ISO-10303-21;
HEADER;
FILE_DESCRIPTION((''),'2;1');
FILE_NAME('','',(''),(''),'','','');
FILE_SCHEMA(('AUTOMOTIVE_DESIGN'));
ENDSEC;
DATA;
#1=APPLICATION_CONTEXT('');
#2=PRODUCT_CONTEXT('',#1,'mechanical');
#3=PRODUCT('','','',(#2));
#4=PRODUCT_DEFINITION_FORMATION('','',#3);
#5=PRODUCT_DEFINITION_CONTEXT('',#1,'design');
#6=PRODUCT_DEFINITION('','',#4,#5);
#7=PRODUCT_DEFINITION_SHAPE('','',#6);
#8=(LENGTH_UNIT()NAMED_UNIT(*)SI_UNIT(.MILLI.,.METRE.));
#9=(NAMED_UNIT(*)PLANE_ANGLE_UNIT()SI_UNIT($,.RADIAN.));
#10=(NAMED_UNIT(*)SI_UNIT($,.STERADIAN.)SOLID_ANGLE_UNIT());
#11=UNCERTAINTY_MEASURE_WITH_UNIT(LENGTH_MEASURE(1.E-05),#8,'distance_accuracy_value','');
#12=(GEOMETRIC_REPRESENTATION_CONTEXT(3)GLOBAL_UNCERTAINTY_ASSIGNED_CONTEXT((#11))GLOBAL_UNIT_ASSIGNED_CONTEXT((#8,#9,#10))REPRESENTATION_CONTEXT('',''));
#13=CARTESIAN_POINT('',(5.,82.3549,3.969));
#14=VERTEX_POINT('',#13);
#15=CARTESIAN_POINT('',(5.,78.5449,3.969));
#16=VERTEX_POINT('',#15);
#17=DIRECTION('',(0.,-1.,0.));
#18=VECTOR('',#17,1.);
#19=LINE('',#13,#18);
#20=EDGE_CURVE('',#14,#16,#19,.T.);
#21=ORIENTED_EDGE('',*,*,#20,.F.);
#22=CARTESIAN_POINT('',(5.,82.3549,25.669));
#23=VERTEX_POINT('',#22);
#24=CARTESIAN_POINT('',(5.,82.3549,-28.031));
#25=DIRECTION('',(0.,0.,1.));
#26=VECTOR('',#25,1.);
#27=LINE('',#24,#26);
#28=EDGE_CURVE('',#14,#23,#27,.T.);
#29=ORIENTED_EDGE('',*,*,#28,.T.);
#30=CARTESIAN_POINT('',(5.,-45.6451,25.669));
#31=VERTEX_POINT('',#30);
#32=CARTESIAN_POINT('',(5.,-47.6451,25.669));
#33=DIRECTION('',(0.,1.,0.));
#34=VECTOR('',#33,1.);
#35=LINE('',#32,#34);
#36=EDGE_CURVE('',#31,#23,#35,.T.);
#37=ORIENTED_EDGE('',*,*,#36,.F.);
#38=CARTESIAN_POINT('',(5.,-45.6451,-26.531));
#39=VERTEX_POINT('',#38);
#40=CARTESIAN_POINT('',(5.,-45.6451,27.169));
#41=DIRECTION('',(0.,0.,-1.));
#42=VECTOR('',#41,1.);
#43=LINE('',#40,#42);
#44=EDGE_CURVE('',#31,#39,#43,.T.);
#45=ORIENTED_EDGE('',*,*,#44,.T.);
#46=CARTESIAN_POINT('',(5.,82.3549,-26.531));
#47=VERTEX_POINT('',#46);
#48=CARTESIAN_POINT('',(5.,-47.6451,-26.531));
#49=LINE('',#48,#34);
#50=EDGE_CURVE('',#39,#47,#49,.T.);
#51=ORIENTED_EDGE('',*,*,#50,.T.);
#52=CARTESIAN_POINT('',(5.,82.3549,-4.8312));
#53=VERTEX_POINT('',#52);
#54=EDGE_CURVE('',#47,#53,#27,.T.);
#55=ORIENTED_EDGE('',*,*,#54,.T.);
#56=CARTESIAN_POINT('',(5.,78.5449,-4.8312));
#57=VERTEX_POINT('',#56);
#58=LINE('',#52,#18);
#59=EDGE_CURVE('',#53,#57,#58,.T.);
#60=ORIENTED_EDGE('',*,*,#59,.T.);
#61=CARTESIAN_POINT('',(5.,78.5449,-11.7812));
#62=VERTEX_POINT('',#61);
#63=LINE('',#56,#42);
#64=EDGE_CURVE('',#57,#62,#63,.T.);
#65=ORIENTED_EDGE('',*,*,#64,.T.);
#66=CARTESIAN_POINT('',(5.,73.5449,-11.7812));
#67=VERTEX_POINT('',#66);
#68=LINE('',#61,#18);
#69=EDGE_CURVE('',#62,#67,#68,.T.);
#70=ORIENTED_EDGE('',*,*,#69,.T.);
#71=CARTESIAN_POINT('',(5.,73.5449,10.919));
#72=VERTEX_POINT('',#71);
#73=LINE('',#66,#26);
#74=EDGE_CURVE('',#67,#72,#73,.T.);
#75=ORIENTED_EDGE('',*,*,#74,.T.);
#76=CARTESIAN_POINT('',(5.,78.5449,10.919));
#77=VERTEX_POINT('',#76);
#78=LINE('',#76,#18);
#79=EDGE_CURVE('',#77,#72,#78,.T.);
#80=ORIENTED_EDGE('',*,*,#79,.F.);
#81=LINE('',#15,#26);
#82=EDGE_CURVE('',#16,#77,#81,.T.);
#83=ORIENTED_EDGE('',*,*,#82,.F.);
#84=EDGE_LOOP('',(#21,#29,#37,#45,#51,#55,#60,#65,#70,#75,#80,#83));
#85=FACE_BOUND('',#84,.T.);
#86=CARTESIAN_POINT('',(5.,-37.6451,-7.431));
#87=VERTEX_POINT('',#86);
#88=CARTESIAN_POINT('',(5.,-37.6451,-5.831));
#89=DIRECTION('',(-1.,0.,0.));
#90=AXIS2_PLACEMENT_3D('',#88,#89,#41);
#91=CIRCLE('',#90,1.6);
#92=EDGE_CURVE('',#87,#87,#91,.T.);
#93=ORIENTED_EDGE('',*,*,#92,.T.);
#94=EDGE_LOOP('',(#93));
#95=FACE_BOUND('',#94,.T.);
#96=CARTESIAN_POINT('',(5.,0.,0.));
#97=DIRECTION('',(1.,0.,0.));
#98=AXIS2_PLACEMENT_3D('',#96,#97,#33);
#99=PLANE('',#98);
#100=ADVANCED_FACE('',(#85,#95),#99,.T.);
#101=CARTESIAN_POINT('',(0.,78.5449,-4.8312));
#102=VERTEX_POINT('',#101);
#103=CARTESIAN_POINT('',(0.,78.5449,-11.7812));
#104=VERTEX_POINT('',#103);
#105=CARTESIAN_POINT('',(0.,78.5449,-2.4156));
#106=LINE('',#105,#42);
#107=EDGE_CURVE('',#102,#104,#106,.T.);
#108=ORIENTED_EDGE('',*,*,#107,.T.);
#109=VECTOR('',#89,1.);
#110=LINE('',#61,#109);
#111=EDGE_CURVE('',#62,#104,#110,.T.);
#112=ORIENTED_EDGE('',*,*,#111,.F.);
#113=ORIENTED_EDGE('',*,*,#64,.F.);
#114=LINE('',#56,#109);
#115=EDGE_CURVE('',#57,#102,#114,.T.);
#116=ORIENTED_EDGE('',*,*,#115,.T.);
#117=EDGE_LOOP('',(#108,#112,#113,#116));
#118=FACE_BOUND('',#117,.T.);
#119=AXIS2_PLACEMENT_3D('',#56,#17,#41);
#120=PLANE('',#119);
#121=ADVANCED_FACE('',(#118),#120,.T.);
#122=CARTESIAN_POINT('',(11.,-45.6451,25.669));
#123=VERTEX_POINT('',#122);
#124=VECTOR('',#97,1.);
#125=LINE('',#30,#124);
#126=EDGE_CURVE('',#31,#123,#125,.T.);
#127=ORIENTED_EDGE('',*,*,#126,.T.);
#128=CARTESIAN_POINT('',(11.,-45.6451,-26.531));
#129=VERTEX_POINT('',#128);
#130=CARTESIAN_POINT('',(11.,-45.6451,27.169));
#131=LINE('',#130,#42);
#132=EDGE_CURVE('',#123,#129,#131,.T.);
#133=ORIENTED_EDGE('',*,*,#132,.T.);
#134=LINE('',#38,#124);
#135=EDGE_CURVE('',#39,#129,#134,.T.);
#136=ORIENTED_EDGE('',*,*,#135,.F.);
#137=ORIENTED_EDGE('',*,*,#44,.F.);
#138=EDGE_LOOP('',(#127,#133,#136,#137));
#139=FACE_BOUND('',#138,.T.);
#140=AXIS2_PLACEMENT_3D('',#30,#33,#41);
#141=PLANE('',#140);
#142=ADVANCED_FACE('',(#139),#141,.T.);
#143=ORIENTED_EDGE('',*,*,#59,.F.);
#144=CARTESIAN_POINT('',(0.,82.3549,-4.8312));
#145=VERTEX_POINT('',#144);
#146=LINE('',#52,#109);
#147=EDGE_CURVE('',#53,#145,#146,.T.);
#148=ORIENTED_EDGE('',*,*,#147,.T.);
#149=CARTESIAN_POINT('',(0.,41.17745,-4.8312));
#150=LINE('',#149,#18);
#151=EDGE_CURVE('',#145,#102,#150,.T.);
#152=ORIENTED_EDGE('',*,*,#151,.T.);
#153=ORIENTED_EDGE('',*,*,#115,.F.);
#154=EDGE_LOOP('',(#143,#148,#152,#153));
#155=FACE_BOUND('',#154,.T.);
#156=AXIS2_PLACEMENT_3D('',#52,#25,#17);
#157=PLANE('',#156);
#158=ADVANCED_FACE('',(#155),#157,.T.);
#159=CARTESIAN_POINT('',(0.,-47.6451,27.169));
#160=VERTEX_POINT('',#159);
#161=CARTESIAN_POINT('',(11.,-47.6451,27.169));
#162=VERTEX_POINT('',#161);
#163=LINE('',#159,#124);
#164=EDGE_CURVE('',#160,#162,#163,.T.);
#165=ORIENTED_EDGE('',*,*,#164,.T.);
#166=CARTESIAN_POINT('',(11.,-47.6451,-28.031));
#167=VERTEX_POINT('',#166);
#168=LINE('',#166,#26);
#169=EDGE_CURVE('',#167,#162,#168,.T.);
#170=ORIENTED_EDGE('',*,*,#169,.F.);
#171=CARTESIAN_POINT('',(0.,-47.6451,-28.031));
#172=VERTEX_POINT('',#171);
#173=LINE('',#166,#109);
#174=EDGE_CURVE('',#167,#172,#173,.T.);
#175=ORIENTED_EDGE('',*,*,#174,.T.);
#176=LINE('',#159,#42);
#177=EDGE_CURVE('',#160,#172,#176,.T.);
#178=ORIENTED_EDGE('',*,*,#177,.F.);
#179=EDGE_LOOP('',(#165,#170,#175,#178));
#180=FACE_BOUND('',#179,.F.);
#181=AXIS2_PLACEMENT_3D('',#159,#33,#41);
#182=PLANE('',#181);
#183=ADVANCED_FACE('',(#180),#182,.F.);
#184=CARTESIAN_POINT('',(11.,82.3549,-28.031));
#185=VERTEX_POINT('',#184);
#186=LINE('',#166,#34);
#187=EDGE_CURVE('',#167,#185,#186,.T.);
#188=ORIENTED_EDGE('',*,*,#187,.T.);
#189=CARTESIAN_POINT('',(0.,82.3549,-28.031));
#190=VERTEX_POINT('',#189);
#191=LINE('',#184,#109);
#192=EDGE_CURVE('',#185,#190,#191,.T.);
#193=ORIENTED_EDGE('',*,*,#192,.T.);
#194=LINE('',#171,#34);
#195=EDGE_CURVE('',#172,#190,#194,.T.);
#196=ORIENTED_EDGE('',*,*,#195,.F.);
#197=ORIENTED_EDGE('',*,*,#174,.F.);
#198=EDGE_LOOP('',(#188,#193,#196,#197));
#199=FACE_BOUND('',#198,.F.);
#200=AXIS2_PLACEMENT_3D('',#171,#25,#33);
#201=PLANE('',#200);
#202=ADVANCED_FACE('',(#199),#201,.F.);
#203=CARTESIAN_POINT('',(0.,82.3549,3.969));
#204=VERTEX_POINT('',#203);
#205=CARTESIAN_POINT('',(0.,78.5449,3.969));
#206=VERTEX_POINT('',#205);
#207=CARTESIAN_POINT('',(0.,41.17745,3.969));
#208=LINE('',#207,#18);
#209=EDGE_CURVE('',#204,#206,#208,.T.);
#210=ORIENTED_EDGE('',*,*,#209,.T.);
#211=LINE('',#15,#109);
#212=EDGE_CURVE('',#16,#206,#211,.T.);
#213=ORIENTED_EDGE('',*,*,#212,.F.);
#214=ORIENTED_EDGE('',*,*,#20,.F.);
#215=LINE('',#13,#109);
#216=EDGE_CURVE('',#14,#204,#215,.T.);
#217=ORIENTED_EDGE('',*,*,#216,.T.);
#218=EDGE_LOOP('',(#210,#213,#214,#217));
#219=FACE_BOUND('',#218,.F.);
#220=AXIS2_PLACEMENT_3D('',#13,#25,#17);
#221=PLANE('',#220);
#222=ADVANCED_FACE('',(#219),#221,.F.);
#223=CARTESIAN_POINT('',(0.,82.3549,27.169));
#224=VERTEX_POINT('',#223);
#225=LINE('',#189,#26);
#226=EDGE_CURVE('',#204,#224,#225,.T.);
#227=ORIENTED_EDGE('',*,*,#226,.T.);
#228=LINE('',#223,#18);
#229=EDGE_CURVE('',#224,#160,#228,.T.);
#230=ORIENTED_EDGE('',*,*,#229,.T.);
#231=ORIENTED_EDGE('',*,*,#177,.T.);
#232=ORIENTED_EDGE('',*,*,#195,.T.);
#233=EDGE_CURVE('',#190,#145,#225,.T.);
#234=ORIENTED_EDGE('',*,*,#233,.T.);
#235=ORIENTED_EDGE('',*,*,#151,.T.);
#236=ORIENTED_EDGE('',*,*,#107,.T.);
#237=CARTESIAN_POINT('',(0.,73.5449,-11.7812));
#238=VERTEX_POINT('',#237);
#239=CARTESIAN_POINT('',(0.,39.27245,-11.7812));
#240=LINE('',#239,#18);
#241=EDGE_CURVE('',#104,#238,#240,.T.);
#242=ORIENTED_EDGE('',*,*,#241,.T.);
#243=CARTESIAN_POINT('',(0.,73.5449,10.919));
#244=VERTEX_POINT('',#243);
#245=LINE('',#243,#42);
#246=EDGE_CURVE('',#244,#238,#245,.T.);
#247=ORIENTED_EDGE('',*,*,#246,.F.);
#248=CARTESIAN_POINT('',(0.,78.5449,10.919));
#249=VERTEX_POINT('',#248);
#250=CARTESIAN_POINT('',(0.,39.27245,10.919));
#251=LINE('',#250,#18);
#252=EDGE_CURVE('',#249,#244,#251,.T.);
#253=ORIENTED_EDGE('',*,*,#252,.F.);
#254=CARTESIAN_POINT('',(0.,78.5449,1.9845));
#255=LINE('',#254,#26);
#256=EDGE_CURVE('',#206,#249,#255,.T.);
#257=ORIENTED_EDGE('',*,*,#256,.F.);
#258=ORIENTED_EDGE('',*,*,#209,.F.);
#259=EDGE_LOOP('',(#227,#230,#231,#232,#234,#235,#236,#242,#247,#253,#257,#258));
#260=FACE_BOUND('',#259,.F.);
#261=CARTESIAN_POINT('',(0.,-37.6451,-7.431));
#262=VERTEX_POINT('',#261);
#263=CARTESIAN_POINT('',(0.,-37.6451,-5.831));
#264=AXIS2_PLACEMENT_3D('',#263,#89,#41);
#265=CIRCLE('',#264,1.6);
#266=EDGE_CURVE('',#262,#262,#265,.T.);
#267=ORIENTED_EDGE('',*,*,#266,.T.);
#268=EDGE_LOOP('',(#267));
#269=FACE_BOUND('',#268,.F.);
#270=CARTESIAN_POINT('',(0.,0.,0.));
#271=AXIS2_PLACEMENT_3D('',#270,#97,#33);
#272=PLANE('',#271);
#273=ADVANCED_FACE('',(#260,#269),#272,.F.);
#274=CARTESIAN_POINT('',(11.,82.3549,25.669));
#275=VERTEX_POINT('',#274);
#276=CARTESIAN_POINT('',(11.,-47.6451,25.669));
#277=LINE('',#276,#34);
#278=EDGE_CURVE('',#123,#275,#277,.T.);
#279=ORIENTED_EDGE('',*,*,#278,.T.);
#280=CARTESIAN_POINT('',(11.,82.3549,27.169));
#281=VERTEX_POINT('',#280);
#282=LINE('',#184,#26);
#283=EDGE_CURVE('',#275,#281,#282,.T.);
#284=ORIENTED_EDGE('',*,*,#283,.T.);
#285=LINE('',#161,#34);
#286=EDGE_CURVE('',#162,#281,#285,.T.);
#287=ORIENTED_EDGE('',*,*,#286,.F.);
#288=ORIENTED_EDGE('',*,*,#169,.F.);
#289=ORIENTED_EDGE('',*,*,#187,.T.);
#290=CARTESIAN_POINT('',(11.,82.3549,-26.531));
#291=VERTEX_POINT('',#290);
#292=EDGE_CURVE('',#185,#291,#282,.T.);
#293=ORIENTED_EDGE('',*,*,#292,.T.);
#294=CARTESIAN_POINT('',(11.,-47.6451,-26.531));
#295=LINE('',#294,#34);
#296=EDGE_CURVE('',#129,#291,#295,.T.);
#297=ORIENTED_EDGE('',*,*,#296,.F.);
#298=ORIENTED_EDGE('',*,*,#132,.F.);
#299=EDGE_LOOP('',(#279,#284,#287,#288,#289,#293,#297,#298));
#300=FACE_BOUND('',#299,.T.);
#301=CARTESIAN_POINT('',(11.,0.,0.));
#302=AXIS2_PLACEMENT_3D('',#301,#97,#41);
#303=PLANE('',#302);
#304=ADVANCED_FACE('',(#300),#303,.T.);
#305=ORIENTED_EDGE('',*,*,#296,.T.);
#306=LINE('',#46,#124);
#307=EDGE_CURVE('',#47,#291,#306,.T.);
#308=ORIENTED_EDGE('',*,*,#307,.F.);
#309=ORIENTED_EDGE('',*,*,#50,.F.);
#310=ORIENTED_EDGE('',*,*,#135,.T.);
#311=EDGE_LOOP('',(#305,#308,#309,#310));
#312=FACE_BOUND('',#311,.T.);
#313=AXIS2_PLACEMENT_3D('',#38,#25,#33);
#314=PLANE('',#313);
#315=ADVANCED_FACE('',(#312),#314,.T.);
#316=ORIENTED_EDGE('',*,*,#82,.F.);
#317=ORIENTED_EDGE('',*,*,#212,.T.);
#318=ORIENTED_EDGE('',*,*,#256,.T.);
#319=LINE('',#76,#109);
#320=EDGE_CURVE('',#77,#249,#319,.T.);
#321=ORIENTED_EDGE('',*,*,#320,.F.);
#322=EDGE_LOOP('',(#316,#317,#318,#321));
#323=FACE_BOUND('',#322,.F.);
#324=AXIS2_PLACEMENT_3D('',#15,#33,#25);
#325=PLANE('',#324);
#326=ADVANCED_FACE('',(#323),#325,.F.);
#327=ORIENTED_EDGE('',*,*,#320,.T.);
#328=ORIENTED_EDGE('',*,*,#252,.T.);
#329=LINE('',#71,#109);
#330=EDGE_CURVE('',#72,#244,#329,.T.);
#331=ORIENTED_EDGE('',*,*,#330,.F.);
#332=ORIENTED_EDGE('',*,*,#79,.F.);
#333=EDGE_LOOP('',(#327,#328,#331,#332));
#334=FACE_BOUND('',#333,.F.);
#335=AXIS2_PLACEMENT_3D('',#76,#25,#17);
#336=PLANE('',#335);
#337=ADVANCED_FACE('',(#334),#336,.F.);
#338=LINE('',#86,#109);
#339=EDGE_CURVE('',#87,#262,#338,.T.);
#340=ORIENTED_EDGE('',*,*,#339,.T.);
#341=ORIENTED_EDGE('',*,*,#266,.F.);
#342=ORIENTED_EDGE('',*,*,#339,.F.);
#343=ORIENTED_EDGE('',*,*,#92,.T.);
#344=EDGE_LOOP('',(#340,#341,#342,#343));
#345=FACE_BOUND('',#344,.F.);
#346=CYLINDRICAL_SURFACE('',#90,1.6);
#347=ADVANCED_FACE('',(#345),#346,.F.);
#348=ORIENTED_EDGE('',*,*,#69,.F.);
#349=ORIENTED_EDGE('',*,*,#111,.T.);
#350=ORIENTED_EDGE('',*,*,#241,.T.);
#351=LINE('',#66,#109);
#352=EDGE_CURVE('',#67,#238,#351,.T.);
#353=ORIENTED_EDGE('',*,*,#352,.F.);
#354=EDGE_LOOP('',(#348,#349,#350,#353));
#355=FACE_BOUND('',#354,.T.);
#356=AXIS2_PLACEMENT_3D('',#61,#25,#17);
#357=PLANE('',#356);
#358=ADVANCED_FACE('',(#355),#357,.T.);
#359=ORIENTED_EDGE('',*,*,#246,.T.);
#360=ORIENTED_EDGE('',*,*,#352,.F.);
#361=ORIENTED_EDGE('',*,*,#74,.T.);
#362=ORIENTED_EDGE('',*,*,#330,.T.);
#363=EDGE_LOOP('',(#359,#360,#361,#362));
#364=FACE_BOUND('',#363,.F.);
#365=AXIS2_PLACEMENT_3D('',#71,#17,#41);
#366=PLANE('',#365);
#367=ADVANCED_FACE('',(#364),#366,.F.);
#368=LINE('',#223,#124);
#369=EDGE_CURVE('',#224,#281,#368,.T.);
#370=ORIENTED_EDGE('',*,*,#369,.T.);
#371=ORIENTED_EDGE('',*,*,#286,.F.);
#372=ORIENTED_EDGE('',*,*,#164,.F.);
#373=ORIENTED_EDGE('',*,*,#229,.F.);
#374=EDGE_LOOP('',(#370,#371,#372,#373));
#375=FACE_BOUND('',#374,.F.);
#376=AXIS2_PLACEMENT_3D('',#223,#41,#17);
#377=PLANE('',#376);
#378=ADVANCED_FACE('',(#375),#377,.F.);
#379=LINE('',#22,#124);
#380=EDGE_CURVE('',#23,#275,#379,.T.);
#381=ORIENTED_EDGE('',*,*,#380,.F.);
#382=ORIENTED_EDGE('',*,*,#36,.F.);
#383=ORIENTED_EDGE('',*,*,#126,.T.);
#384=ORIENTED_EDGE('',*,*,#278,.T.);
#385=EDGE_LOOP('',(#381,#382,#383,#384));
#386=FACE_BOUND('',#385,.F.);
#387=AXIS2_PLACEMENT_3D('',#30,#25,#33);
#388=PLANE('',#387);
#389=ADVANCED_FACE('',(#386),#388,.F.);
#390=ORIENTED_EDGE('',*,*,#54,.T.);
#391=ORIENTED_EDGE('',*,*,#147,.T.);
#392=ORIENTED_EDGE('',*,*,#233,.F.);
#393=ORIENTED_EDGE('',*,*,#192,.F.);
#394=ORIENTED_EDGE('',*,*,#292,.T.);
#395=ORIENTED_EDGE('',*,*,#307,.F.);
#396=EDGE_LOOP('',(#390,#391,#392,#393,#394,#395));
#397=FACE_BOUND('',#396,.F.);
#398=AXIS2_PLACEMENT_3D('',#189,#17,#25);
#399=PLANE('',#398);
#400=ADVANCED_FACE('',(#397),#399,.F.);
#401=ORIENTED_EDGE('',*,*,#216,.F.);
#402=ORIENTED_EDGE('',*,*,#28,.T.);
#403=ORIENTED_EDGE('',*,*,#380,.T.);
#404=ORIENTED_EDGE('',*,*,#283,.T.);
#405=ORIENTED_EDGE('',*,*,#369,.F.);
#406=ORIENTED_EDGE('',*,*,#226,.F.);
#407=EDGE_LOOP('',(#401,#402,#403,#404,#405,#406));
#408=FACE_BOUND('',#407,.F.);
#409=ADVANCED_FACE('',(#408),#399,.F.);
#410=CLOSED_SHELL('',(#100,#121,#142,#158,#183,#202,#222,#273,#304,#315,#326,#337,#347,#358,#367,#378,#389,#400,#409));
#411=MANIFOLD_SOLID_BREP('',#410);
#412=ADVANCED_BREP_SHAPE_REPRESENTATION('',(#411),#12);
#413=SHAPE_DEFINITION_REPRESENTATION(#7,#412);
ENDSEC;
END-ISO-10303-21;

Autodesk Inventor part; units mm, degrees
ref_plane "YZ Plane" through (0, 0, 0) normal (1, 0, 0) x (0, 1, 0)
ref_plane "XZ Plane" through (0, 0, 0) normal (0, 1, 0) x (-1, 0, 0)
ref_plane "XY Plane" through (0, 0, 0) normal (0, 0, 1) x (1, 0, 0)
sketch "Sketch1" plane through (0, 0, 0) normal (1, 0, 0) x (0, 1, 0)
  line L0 (82.3549, 27.169) -> (-47.6451, 27.169)
  line L1 (-47.6451, 27.169) -> (-47.6451, -28.031)
  line L2 (-47.6451, -28.031) -> (82.3549, -28.031)
  line L3 (82.3549, -28.031) -> (82.3549, 27.169)
  point P0 (0, 0)
  dimension "d0" = 130
  dimension "d1" = 55.2
extrude "Extrusion1" add sketch "Sketch1" along normal blind 5
sketch "Sketch3" plane through (5, 0, 0) normal (1, 0, 0) x (0, 0, -1)
  line L0 (-27.169, -47.6451) -> (28.031, -47.6451) projected
  line L1 (28.031, -47.6451) -> (5.831, -47.6451)
  line L2 (5.831, -47.6451) -> (5.831, -37.6451)
  point P0 (0, 0)
  dimension "d12" = 22.2
  dimension "d13" = 10
hole "Hole2" at (5, -37.6451, -5.831) direction (-1, 0, 0) diameter 3.2 end through all
sketch "Sketch13" plane through (5, 0, 0) normal (1, 0, 0) x (0, 0, -1)
  line L0 (-27.169, -47.6451) -> (28.031, -47.6451) projected
  line L1 (28.031, 82.3549) -> (-27.169, 82.3549) projected
  line L2 (28.031, -47.6451) -> (26.531, -47.6451)
  line L3 (26.531, -47.6451) -> (26.531, 82.3549)
  line L4 (26.531, 82.3549) -> (28.031, 82.3549)
  line L5 (28.031, 82.3549) -> (28.031, -47.6451)
  line L6 (-27.169, 82.3549) -> (-27.169, -47.6451) projected
  line L7 (28.031, 82.3549) -> (-27.169, 82.3549) projected
  line L8 (-27.169, -47.6451) -> (-25.669, -47.6451)
  line L9 (-25.669, -47.6451) -> (-25.669, 82.3549)
  line L10 (-25.669, 82.3549) -> (-27.169, 82.3549)
  line L11 (-27.169, 82.3549) -> (-27.169, -47.6451)
  line L12 (28.031, -47.6451) -> (-27.169, -47.6451)
  line L13 (-27.169, -47.6451) -> (-27.169, -45.6451)
  line L14 (-27.169, -45.6451) -> (28.031, -45.6451)
  line L15 (28.031, -45.6451) -> (28.031, -47.6451)
  point P0 (0, 0)
  point P1 (10.031, 62.3549)
  point P2 (-5.969, 62.3549)
  point P3 (26.531, -45.6451)
  point P4 (-25.669, -45.6451)
  point P5 (18.031, 62.3549)
  dimension "d42" = 1.5
  dimension "d43" = 1.5
  dimension "d44" = 2
extrude "Extrusion7" add sketch "Sketch13" along normal blind 6 contours L6 L14 L9 L0 | L9 L14 L3 L0 | L6 L1 L9 L14 | L3 L14 L5 L0 | L3 L1 L5 L14
sketch "Sketch18" plane through (5, 0, 0) normal (1, 0, 0) x (0, 0, -1)
  line L0 (-3.669, 82.3549) -> (4.531, 82.3549)
  line L1 (26.531, 82.3549) -> (-25.669, 82.3549) projected
  line L2 (4.531, 82.3549) -> (4.8312, 82.3549)
  line L3 (-3.669, 82.3549) -> (-3.969, 82.3549)
  line L4 (-3.969, 82.3549) -> (-3.969, 78.5449)
  line L5 (4.8312, 82.3549) -> (4.8312, 78.5449)
  line L6 (4.8312, 78.5449) -> (11.7812, 78.5449)
  line L7 (-3.969, 78.5449) -> (-10.919, 78.5449)
  line L8 (-10.919, 78.5449) -> (-10.919, 73.5449)
  line L9 (11.7812, 78.5449) -> (11.7812, 73.5449)
  line L10 (-10.919, 73.5449) -> (0, 73.5449)
  line L11 (0, 73.5449) -> (11.7812, 73.5449)
  point P0 (0, 0)
  point P1 (11.531, 82.3549)
  dimension "d78" = 0.3
  dimension "d79" = 3.81
  dimension "d81" = 3.81
  dimension "d83" = 6.95
  dimension "d85" = 6.95
  dimension "d86" = 5
  dimension "d87" = 5
extrude "Extrusion10" cut sketch "Sketch18" against normal blind 7.9375
properties part number "pumpholderinverseproto1"
